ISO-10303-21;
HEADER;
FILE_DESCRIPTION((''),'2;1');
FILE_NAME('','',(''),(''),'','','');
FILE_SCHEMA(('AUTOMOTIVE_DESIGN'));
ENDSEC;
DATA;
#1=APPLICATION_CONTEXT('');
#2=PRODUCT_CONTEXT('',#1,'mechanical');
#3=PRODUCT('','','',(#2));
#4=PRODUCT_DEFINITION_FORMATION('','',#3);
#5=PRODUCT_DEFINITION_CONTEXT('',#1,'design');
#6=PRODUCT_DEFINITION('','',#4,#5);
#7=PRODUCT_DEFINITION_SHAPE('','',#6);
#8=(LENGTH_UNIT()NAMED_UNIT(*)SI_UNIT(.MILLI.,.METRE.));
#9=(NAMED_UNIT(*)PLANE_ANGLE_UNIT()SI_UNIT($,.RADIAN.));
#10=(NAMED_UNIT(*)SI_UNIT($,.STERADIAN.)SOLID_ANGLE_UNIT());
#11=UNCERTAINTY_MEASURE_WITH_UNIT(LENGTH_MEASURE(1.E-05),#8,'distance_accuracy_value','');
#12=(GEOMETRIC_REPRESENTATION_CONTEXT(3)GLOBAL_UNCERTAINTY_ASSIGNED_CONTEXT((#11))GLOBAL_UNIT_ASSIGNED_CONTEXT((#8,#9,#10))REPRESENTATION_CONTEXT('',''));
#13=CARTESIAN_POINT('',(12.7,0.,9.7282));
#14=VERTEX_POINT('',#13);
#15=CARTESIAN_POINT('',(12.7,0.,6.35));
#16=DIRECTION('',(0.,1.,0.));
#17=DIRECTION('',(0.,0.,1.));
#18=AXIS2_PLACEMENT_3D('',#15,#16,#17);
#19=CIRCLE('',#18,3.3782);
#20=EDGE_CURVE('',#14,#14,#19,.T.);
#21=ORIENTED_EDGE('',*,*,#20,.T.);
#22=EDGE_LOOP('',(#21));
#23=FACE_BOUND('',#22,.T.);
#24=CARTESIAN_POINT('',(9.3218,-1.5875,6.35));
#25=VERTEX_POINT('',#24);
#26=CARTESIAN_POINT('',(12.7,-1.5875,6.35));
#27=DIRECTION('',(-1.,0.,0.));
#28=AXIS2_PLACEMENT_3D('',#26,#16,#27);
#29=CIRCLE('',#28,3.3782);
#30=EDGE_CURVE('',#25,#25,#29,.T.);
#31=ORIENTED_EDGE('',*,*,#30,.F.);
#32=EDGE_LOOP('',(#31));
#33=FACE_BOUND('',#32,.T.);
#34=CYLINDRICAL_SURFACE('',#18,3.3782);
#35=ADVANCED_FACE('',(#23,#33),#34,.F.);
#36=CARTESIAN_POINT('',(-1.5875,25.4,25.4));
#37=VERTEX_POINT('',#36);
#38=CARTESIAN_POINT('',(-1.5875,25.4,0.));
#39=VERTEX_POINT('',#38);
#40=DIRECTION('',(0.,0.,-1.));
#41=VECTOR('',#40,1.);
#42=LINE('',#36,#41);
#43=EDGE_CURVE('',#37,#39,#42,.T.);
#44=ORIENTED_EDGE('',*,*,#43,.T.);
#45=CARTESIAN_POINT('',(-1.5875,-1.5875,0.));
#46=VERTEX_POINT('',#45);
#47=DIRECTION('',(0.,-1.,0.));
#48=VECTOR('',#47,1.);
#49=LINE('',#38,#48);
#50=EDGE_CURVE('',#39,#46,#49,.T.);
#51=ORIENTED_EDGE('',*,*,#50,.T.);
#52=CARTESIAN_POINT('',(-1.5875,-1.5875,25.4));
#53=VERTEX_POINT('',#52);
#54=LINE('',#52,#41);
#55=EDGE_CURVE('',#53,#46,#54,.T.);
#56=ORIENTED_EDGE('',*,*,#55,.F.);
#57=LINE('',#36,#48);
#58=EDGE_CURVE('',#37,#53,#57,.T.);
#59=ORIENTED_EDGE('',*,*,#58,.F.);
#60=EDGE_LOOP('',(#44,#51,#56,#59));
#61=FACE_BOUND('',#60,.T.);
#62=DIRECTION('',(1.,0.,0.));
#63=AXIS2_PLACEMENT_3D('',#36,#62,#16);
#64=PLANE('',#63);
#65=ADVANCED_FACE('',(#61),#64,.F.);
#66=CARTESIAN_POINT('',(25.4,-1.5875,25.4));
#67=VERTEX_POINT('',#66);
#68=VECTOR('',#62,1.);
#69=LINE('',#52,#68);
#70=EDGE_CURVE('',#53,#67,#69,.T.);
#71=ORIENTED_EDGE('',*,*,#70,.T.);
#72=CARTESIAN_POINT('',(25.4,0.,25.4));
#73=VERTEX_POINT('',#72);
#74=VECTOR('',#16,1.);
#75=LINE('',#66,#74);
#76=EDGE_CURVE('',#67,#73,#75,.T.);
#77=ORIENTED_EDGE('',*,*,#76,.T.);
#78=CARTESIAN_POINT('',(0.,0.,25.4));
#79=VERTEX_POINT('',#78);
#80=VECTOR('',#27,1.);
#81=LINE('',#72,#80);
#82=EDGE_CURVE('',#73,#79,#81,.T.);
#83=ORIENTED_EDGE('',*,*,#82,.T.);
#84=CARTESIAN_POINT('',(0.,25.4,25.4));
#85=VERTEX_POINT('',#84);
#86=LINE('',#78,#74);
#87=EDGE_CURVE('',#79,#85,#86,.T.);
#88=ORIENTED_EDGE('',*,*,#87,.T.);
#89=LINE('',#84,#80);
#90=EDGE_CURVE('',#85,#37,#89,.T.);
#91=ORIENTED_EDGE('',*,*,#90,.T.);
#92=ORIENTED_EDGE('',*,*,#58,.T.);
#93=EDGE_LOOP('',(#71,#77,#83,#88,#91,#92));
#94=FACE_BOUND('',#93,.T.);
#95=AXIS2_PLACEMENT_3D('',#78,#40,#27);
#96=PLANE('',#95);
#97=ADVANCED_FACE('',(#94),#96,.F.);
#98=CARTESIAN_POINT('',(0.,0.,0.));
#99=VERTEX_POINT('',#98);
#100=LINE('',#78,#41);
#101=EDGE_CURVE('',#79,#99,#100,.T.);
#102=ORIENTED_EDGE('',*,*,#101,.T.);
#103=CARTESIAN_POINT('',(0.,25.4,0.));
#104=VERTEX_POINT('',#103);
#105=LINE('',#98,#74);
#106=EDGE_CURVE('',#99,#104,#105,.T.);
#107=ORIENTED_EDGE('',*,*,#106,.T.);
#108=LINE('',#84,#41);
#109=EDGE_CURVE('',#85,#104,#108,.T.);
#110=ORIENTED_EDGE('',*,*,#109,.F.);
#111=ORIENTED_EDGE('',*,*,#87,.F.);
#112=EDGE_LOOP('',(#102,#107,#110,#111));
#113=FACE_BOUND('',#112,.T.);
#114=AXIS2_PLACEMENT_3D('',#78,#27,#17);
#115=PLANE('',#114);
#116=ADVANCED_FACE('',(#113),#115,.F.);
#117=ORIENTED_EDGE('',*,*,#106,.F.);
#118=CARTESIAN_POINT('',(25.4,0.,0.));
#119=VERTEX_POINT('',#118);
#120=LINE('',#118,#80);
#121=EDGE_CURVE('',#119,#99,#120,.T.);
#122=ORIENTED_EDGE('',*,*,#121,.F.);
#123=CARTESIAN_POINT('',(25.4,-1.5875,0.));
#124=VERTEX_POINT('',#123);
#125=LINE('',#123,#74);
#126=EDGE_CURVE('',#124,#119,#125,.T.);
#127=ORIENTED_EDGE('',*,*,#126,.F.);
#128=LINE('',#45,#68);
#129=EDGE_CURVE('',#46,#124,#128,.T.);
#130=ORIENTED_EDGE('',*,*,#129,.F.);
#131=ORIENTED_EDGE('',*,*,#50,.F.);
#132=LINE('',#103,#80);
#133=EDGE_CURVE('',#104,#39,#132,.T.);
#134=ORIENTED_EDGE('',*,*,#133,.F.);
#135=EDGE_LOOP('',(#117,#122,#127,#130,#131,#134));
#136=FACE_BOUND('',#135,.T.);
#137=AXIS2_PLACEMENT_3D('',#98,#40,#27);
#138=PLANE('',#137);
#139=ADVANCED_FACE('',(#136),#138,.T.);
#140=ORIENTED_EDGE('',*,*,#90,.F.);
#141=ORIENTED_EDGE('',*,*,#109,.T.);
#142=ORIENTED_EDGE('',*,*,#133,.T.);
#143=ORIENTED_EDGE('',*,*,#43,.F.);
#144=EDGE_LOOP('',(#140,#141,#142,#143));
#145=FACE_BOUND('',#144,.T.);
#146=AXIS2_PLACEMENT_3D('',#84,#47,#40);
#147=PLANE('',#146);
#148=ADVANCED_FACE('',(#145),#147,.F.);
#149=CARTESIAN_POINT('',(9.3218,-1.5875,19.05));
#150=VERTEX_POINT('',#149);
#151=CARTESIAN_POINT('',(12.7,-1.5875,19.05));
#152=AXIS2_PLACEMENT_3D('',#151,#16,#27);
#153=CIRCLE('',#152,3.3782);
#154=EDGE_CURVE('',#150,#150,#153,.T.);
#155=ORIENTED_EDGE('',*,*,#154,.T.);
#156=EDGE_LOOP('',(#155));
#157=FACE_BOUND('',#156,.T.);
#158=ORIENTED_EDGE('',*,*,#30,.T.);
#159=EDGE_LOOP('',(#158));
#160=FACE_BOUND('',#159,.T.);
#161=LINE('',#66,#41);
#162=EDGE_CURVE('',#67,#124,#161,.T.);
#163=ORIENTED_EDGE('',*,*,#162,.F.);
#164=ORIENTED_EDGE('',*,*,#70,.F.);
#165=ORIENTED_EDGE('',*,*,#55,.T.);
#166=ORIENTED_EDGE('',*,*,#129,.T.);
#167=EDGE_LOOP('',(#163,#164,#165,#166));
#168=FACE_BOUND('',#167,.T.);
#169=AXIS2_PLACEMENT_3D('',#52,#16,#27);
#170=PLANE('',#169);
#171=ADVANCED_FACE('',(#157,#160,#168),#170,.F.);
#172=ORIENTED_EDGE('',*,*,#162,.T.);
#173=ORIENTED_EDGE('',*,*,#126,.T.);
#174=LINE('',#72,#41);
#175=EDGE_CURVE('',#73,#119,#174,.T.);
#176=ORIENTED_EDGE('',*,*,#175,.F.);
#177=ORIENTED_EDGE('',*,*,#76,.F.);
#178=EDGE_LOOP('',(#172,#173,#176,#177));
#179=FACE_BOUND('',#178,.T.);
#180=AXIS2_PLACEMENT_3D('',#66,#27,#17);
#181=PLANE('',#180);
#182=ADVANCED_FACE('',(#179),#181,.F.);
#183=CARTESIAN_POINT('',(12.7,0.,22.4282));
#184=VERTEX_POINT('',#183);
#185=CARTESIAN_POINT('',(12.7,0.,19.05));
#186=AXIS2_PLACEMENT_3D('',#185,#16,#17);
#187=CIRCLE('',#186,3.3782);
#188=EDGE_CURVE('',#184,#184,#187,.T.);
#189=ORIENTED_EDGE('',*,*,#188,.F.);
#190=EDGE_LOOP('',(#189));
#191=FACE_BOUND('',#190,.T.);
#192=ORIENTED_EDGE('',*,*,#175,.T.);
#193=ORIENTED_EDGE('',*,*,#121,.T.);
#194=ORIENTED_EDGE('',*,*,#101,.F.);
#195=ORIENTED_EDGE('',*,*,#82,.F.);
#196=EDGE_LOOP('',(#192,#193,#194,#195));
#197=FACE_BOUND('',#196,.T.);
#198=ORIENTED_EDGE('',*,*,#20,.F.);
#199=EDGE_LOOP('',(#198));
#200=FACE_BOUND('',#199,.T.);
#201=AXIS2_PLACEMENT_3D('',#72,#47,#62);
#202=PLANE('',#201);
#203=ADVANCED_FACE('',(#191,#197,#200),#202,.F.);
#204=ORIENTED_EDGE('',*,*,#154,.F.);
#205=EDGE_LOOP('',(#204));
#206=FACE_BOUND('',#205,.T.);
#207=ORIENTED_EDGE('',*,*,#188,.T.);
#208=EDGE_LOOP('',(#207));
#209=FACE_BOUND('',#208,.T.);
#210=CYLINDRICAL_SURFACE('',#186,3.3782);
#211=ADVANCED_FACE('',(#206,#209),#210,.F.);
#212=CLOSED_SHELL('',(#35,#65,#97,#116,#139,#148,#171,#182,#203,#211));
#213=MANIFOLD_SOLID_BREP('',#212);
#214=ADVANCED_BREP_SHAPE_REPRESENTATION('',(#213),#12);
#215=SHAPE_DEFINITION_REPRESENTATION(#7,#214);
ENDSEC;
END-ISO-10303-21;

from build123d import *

# Parameters (mm, degrees)
BOSS_EXTRUDE1_DEPTH     = 25.4
F_1_4_CLEARANCE_HOLE1_D = 6.7564


with BuildPart() as part:
    # Sketch1 → Boss-Extrude1 (new body)
    with BuildSketch(Plane.XY):
        Polygon((0, 0), (0, 25.4), (-1.5875, 25.4), (-1.5875, -1.5875), (25.4, -1.5875), (25.4, 0), align=None)
    extrude(amount=BOSS_EXTRUDE1_DEPTH)

    # 1/4 Clearance Hole1 (through all)
    with Locations(Plane(origin=(12.7, 0, 19.05), x_dir=(1, 0, 0), z_dir=(0, 1, 0))):
        with Locations((0, 0), (0, 12.7)):
            Hole(F_1_4_CLEARANCE_HOLE1_D / 2)


solid = part.part
